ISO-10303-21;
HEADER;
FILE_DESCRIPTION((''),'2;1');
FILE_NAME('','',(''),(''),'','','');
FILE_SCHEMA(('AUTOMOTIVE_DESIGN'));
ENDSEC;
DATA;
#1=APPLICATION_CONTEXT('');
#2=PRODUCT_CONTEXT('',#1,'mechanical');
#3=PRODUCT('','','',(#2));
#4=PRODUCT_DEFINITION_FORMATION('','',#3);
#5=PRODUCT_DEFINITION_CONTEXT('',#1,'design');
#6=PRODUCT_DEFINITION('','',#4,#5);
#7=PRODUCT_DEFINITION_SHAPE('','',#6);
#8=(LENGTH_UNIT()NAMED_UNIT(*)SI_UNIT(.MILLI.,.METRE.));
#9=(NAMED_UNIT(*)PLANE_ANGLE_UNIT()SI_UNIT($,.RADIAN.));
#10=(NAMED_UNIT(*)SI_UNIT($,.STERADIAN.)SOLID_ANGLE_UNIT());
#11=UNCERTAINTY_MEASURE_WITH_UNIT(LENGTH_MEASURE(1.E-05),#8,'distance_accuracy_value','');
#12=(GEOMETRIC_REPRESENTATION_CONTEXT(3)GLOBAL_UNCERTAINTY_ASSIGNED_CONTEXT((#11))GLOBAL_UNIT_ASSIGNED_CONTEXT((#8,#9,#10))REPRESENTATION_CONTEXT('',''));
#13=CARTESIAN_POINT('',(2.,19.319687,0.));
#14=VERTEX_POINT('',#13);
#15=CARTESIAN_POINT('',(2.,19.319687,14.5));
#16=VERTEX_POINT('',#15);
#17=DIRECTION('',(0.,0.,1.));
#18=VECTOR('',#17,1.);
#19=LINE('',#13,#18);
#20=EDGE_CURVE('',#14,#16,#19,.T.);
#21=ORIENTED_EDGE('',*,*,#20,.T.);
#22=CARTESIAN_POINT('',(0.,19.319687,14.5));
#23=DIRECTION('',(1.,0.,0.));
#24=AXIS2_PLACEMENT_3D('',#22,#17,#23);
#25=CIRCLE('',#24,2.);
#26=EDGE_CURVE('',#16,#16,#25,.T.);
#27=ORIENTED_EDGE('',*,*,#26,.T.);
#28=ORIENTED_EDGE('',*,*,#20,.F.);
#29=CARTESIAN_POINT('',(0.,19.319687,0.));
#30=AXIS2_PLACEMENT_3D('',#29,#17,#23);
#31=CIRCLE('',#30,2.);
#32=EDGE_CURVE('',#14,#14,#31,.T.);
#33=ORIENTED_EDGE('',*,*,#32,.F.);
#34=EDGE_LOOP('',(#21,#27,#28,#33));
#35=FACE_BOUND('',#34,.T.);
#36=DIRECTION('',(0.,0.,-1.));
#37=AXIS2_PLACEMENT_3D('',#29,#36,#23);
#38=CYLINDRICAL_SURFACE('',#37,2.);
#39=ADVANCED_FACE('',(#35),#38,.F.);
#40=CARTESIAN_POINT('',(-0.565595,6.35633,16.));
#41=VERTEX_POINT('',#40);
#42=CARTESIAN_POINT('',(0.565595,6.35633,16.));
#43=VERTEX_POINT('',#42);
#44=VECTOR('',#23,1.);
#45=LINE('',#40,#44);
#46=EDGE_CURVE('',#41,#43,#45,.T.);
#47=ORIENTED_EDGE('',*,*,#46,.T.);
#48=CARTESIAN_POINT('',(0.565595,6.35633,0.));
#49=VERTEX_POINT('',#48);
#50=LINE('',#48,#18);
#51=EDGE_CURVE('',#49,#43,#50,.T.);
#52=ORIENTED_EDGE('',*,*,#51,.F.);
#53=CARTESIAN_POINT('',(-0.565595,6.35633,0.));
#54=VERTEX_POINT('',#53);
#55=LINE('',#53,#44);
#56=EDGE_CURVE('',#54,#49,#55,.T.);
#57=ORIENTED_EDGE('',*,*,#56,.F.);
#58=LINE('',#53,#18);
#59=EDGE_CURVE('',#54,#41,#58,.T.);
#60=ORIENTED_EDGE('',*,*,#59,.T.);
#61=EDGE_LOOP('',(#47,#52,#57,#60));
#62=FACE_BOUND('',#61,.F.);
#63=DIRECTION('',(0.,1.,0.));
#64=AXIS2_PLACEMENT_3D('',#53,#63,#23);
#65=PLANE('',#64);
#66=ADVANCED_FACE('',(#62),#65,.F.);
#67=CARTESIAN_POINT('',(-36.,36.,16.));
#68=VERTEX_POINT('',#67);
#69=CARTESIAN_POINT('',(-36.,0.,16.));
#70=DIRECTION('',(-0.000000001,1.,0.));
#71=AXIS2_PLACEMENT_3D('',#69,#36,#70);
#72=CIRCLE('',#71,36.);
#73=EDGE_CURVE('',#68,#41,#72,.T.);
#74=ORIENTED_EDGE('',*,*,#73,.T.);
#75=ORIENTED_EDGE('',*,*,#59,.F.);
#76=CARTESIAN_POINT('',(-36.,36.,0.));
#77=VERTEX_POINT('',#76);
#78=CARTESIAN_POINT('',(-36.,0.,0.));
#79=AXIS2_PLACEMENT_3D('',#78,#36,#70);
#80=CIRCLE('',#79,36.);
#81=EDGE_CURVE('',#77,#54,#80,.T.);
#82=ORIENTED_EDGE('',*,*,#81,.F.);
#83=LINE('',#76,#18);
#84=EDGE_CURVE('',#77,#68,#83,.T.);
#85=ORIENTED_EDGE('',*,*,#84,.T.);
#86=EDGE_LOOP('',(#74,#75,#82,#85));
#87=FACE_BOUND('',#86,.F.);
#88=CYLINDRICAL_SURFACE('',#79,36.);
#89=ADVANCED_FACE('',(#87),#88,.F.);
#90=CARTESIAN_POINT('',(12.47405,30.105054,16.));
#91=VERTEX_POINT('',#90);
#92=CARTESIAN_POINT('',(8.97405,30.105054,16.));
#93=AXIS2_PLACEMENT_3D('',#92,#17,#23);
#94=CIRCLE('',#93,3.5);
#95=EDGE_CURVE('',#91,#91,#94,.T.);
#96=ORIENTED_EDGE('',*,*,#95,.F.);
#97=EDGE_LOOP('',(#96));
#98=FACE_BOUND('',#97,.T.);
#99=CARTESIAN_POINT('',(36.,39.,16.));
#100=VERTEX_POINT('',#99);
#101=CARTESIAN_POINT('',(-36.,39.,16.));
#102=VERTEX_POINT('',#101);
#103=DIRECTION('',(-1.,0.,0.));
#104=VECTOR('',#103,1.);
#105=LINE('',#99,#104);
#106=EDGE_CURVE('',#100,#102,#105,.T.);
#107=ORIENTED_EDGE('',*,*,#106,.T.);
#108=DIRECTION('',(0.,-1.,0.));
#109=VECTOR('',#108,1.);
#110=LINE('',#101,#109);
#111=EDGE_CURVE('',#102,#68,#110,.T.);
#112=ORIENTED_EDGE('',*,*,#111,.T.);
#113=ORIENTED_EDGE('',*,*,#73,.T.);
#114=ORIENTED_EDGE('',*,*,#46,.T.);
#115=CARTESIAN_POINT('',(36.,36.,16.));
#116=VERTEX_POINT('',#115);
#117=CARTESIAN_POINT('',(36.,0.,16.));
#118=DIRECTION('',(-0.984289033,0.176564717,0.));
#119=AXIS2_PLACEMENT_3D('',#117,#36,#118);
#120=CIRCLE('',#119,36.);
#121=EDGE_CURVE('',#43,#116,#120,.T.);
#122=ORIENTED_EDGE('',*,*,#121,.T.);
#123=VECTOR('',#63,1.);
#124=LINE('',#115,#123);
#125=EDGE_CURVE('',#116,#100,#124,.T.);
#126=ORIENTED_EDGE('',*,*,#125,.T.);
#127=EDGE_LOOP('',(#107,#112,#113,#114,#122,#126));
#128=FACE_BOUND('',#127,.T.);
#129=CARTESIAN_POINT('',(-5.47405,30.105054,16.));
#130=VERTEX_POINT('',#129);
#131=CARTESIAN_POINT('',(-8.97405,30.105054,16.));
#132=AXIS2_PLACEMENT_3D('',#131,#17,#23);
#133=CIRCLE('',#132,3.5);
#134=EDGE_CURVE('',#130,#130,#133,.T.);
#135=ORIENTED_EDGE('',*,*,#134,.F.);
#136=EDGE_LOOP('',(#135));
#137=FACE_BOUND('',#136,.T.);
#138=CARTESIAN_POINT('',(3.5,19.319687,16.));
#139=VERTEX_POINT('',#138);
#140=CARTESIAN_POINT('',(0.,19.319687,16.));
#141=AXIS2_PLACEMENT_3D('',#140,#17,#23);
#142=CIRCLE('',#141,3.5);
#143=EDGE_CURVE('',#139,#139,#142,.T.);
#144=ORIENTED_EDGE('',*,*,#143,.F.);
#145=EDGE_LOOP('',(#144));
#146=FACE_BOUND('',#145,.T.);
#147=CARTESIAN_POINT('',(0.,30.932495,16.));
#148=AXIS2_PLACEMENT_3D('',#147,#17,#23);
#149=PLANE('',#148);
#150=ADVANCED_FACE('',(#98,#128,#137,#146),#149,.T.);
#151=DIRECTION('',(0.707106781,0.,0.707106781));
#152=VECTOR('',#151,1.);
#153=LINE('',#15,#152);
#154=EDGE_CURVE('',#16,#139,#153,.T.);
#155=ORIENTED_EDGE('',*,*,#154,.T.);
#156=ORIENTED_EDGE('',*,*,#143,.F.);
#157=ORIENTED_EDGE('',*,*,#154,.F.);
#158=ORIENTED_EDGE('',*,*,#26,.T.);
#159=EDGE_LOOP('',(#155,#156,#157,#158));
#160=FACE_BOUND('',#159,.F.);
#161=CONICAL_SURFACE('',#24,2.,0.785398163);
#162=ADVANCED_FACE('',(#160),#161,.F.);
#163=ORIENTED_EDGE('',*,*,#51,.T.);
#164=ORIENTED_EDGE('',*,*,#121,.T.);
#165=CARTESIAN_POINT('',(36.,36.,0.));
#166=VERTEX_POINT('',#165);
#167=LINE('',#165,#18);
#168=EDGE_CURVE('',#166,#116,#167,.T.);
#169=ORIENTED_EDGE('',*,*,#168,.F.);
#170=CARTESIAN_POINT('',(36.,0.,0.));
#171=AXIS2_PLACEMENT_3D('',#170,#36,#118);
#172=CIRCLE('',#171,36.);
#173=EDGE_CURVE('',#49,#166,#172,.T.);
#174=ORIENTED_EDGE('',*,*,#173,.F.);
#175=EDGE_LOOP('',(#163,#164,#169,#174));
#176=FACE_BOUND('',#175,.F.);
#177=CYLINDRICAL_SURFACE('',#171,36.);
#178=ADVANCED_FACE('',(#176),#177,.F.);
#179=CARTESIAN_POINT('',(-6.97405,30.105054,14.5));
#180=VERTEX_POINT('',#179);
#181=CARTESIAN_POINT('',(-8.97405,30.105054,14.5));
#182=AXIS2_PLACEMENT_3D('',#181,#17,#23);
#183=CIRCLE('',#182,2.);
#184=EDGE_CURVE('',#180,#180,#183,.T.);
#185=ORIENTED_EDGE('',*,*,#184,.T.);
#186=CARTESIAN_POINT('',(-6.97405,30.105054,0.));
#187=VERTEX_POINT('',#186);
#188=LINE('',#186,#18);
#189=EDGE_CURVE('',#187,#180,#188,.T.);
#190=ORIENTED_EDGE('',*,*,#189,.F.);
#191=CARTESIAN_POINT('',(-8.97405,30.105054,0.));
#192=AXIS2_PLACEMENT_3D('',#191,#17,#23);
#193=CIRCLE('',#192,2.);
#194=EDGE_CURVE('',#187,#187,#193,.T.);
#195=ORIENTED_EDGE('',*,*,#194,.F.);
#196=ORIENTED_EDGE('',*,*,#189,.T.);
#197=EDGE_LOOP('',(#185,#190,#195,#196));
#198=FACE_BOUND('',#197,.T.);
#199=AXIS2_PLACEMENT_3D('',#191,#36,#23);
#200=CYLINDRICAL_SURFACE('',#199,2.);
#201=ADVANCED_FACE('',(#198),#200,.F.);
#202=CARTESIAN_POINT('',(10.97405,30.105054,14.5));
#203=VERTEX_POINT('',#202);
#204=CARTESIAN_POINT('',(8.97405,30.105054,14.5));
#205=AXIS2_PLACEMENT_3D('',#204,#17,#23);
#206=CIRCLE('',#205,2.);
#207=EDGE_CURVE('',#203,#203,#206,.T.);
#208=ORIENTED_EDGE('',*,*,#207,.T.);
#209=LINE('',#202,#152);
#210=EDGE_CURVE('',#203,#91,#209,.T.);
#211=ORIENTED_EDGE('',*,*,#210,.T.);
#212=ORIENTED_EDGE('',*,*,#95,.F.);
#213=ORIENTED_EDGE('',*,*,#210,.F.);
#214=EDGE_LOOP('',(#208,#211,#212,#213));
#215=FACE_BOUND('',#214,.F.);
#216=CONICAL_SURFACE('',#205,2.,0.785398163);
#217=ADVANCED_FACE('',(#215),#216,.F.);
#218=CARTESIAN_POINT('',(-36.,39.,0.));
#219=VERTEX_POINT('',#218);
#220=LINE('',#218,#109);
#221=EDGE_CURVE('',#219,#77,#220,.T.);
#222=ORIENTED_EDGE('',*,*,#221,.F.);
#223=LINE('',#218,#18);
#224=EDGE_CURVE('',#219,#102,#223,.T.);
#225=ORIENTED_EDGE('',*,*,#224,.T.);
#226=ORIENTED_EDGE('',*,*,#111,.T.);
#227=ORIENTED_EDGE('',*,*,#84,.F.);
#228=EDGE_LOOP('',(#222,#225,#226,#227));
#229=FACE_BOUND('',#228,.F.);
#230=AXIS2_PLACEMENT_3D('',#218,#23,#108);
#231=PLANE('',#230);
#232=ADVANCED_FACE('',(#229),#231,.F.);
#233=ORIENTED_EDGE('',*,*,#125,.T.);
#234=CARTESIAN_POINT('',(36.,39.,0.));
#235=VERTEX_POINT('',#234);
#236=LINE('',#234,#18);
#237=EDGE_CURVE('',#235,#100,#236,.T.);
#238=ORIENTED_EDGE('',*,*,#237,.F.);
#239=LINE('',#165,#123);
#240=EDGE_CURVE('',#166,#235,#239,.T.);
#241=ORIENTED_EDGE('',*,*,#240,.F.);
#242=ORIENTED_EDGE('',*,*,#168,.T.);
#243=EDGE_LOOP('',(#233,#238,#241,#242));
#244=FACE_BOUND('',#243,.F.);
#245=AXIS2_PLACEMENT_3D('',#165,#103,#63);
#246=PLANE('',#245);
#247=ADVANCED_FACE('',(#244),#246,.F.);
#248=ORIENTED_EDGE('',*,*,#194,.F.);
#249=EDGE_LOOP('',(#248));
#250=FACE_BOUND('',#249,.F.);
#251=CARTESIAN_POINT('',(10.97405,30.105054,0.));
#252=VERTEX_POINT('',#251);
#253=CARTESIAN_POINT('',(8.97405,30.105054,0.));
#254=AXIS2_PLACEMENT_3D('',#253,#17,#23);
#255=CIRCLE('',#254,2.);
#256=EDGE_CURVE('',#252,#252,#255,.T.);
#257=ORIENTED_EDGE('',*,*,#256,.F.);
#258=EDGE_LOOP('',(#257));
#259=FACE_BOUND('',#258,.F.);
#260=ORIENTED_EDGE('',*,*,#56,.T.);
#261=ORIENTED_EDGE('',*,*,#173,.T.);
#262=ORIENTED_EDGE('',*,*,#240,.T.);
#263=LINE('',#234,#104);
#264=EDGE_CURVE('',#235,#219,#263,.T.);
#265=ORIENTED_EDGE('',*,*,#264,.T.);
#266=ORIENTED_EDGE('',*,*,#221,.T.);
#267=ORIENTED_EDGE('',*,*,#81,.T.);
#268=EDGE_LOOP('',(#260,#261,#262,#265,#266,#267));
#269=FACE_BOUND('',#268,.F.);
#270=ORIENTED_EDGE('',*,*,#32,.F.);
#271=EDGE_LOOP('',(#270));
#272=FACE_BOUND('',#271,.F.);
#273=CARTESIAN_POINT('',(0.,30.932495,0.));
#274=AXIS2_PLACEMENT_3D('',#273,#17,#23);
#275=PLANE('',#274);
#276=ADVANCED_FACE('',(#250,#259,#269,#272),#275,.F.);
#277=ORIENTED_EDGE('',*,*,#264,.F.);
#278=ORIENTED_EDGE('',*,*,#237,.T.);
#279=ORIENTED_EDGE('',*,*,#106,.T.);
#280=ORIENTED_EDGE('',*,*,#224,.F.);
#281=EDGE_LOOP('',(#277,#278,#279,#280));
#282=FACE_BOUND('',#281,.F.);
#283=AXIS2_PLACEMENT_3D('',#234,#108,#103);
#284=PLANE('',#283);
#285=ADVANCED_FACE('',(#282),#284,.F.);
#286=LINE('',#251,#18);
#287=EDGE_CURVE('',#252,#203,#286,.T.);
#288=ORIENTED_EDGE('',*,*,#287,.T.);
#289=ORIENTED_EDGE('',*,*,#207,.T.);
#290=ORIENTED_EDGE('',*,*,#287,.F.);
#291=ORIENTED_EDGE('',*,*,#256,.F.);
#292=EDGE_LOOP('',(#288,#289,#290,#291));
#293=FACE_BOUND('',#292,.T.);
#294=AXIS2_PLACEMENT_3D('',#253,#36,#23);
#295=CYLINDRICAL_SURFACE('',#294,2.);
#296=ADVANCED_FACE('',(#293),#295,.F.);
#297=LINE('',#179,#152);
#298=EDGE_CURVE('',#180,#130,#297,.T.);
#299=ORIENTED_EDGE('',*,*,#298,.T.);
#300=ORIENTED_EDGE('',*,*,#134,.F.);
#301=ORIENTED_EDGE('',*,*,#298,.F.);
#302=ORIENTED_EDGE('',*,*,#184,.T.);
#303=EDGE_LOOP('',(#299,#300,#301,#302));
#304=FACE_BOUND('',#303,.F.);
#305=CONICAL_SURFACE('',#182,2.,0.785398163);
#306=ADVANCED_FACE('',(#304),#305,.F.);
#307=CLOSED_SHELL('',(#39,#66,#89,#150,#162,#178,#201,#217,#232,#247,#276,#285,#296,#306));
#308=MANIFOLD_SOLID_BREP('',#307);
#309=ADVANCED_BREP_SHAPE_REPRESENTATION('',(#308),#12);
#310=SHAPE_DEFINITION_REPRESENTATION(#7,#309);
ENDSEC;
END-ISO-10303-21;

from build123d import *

# Parameters (mm, degrees)
F0_R     = 2
F1_DEPTH = 16
F2_SIZE  = 1.5


with BuildPart() as f1:
    # F0 (on Top) → F1 (new body)
    with BuildSketch(Plane.XY):
        with BuildLine():
            ThreePointArc((-36, 36), (-12.900518, 27.611844), (-0.565595, 6.35633))
            Line((-0.565595, 6.35633), (0.565595, 6.35633))
            ThreePointArc((0.565595, 6.35633), (12.900518, 27.611844), (36, 36))
            Line((36, 36), (36, 39))
            Line((36, 39), (0, 39))
            Line((0, 39), (-36, 39))
            Line((-36, 39), (-36, 36))
        make_face()
        with Locations((0, 19.319687)):
            Circle(F0_R, mode=Mode.SUBTRACT)
        with Locations((-8.97405, 30.105054)):
            Circle(F0_R, mode=Mode.SUBTRACT)
        with Locations((8.97405, 30.105054)):
            Circle(F0_R, mode=Mode.SUBTRACT)
    extrude(amount=F1_DEPTH)

    # F2
    f2_edges = [f1.edges().sort_by_distance(p)[0] for p in [
        (-10.97405, 30.105054, 16),
        (-2, 19.319687, 16),
        (6.97405, 30.105054, 16),
    ]]
    chamfer(f2_edges, length=F2_SIZE)


solid = f1.part
